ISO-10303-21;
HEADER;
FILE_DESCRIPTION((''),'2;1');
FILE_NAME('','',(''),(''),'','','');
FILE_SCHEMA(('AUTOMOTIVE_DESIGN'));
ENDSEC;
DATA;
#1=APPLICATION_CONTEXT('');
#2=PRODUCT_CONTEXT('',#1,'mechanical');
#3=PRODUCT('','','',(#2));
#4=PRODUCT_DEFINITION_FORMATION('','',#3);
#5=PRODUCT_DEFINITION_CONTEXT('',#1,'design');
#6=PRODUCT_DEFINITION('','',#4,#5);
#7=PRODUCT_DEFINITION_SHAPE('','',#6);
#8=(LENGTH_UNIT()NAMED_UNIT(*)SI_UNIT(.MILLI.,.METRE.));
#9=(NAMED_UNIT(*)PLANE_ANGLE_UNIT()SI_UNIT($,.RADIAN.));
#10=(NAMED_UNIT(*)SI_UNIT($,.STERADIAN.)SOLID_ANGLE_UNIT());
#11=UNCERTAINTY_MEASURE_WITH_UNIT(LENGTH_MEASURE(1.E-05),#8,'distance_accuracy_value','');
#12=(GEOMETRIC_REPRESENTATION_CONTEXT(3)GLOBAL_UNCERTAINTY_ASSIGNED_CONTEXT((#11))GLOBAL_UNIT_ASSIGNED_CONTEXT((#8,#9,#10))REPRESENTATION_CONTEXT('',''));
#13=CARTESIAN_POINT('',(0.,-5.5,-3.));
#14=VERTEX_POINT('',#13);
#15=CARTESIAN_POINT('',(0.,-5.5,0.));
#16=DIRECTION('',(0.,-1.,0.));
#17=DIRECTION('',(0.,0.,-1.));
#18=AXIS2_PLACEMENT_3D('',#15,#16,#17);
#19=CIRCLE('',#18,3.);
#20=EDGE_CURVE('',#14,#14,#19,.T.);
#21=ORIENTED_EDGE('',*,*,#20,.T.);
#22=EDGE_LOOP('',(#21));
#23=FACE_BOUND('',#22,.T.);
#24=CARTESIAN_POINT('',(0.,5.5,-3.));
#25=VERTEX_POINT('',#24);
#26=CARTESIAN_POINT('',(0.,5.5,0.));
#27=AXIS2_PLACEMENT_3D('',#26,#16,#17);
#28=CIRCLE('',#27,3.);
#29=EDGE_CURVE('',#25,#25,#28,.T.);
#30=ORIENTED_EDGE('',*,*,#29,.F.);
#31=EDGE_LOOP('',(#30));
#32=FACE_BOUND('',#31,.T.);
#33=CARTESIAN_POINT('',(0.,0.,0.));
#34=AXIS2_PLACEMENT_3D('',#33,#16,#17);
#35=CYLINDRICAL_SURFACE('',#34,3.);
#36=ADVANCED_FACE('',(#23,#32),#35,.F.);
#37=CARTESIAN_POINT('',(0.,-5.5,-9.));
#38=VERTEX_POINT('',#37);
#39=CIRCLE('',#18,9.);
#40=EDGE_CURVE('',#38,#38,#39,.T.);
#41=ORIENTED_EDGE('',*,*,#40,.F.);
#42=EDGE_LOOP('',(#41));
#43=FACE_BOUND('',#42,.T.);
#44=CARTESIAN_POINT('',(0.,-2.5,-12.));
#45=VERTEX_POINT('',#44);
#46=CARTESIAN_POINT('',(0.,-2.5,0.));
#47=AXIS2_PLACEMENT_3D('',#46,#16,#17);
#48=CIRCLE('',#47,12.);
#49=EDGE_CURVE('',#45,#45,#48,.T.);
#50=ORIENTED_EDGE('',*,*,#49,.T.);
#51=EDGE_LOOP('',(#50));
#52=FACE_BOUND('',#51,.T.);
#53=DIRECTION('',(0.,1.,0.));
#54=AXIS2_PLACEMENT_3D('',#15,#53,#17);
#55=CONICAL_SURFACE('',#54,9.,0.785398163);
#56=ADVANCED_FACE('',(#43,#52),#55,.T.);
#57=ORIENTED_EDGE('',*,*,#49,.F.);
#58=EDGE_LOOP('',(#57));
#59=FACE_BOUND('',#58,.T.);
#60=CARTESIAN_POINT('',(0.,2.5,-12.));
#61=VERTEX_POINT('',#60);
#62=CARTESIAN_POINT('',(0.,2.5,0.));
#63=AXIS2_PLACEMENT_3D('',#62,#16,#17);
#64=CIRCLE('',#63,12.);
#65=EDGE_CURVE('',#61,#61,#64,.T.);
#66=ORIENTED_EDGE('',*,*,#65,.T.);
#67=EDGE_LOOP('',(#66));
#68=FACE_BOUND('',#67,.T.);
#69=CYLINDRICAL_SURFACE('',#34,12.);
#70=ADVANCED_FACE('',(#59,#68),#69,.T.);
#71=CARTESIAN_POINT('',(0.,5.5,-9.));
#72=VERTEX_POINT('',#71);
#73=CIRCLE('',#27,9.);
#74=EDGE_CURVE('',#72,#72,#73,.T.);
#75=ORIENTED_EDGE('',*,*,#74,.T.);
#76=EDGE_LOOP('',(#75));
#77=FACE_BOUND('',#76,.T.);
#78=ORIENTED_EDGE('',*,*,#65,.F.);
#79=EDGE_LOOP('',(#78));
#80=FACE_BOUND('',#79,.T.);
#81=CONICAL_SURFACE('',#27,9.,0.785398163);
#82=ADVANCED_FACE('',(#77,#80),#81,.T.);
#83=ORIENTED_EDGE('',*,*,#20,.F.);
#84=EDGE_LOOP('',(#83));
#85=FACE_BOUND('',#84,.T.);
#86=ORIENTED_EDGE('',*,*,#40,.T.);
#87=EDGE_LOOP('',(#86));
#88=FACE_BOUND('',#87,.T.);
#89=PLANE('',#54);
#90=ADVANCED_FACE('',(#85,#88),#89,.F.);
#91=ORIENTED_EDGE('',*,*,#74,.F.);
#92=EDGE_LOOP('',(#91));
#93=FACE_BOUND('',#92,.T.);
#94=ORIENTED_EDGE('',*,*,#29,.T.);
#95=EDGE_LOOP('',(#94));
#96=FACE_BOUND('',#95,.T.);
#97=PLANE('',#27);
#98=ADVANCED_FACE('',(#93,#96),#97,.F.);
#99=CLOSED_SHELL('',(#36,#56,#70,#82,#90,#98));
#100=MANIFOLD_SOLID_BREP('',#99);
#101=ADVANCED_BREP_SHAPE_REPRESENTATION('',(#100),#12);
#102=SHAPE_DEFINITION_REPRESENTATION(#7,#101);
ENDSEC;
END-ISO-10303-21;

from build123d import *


with BuildPart() as part:
    # Эскиз1 → Повернуть1 (revolve)
    with BuildSketch(Plane(origin=(0, 0, 0), x_dir=(0, 0, -1), z_dir=(1, 0, 0))):
        Polygon((3, 5.5), (9, 5.5), (12, 2.5), (12, 0), (3, 0), align=None)
    revolve_1 = revolve(axis=Axis((0, 0, 0), (0, 1, 0)))

    # Зеркальное отражение1: Повернуть1 across plane
    add(revolve_1.mirror(Plane.ZX))


solid = part.part
